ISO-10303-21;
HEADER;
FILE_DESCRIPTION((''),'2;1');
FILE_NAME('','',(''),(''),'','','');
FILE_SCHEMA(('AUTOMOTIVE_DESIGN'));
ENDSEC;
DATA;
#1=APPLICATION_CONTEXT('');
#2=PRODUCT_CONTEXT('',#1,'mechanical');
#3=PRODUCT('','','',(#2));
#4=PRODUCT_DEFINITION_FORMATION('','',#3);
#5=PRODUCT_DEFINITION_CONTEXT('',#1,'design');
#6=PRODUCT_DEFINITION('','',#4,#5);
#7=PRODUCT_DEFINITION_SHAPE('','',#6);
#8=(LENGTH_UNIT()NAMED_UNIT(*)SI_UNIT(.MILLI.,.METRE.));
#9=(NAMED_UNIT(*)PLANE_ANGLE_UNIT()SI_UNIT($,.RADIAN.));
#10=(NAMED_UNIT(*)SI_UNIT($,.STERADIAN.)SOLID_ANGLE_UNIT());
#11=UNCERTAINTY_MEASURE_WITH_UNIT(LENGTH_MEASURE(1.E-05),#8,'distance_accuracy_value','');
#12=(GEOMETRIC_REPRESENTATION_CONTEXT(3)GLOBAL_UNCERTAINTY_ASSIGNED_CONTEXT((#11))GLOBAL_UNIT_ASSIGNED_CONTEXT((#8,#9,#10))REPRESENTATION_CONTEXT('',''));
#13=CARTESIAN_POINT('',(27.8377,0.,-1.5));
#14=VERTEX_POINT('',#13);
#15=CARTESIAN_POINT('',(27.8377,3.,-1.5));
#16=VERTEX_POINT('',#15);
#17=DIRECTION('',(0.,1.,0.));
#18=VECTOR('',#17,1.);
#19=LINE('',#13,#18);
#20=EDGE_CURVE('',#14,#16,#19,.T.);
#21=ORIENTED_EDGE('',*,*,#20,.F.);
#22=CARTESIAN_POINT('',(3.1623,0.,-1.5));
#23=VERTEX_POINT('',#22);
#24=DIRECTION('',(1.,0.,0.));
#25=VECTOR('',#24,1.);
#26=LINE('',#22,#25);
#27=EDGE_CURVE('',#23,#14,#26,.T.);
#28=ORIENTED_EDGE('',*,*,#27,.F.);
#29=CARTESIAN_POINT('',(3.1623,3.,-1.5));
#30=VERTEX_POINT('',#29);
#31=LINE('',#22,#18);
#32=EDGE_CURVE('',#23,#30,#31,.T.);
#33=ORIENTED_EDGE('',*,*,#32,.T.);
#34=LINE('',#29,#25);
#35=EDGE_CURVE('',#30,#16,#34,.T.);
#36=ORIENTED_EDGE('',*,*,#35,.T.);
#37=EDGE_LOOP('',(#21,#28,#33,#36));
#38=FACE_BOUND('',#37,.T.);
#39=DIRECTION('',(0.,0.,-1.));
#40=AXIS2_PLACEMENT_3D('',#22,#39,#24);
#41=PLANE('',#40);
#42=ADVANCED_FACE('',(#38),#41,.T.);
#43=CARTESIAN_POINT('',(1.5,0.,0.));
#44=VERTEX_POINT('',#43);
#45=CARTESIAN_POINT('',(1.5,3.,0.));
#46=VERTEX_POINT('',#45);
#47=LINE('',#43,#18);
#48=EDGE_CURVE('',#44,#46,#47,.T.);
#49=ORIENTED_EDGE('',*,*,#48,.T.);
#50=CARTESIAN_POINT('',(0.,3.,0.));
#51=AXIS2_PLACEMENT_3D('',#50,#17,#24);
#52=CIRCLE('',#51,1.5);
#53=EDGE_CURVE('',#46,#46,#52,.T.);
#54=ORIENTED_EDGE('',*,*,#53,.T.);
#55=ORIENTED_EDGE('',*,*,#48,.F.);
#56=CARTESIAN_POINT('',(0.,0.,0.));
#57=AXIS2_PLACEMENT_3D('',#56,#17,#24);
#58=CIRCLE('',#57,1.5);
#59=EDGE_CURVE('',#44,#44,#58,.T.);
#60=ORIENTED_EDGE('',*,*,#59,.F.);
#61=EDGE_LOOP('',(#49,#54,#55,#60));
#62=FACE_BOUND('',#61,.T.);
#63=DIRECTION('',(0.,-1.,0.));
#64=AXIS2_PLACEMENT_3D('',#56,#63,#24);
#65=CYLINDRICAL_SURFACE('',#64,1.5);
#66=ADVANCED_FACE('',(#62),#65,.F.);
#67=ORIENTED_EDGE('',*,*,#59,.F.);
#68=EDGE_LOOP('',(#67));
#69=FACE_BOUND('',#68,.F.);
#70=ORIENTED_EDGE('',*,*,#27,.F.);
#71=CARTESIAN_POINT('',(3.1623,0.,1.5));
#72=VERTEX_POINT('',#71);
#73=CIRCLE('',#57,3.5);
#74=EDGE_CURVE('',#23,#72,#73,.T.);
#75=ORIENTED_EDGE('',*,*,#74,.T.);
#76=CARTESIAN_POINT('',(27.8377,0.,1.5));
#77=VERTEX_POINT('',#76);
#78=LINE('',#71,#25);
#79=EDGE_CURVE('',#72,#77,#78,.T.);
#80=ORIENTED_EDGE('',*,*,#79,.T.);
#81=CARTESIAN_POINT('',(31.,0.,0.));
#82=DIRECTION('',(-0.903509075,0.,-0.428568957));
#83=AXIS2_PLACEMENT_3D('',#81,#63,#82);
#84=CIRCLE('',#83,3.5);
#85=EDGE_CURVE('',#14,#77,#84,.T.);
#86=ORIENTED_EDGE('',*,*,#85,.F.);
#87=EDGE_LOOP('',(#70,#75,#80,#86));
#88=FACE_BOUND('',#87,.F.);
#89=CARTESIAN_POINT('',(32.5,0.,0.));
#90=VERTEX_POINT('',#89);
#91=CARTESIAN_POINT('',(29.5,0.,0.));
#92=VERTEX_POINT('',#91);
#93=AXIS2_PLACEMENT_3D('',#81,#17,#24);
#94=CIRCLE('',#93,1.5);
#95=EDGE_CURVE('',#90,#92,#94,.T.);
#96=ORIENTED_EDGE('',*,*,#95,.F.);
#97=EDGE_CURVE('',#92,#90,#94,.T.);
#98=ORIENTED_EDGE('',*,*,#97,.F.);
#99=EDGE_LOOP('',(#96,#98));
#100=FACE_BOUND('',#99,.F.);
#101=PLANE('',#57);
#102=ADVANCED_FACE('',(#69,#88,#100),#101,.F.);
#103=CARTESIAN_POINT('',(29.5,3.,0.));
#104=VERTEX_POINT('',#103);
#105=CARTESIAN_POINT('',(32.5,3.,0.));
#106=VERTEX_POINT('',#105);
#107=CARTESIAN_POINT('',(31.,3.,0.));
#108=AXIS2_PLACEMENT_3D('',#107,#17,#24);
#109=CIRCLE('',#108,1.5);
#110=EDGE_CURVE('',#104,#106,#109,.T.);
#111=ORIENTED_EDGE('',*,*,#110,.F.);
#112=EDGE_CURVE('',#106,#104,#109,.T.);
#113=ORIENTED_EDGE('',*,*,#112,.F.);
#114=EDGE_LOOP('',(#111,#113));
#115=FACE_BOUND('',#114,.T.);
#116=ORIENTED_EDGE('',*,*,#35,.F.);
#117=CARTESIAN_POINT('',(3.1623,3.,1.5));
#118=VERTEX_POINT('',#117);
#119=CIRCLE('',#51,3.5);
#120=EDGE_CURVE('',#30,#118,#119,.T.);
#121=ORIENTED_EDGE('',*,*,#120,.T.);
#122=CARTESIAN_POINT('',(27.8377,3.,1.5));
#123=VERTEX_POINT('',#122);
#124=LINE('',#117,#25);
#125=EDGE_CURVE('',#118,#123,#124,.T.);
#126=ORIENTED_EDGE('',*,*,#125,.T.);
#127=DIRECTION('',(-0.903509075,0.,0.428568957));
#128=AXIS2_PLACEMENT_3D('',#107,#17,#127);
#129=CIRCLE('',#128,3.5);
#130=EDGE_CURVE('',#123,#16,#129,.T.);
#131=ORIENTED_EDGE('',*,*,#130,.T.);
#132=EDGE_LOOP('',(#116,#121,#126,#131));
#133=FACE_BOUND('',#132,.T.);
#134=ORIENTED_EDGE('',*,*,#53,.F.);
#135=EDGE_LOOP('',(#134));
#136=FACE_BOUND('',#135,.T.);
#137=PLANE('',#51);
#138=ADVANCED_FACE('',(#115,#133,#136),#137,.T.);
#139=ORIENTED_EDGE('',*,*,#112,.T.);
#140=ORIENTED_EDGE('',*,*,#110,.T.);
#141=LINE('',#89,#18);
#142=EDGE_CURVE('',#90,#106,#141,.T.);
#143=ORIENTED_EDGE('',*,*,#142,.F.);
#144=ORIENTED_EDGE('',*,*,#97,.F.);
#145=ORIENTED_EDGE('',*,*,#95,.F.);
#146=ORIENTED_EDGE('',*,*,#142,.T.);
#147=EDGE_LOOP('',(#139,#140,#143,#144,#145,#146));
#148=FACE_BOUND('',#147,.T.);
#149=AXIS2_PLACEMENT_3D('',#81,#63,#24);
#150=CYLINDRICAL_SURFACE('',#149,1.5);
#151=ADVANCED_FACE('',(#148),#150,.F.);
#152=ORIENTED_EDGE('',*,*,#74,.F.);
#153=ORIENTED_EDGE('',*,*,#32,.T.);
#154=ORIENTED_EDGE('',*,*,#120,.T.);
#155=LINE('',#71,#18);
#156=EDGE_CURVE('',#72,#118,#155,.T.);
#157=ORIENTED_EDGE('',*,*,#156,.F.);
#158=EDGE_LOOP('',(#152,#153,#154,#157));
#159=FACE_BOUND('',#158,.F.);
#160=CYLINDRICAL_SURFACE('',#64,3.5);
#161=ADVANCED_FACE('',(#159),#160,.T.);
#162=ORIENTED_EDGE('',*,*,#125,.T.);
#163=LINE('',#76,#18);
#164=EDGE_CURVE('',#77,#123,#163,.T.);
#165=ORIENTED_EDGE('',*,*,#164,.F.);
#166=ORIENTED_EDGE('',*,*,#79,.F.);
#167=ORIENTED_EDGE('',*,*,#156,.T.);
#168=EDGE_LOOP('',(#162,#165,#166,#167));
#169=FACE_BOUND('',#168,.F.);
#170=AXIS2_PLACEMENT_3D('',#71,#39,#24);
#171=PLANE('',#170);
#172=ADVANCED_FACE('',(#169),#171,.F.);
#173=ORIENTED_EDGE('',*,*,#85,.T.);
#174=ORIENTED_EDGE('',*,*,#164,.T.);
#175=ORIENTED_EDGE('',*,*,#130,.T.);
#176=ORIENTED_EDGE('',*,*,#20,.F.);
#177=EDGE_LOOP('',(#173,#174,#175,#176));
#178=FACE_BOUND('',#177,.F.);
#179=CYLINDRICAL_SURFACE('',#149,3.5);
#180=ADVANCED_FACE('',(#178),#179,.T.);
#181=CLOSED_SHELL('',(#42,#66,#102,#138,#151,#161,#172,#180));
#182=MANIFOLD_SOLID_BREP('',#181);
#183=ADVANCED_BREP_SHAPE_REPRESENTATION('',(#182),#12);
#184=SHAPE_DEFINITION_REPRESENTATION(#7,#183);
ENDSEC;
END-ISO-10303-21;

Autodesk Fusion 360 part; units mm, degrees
sketch "Sketch1" plane through (0, 0, 0) normal (0, 1, 0) x (1, 0, 0)
  circle A0 centre (0, 0) radius 3.5
  circle A1 centre (0, 0) radius 1.5
  circle A2 centre (31, 0) radius 1.5
  circle A3 centre (31, 0) radius 3.5
  line L0 (0, 0) -> (31, 0)
  line L1 (3.1623, 1.5) -> (27.8377, 1.5)
  line L2 (3.1623, -1.5) -> (27.8377, -1.5)
  dimension "d1" = 3
  dimension "d2" = 7
  dimension "d3" = 3
  dimension "d4" = 7
  dimension "d5" = 31
  dimension "d6" = 1.5
  dimension "d7" = 1.5
extrude "Extrude1" add sketch "Sketch1" along normal blind 3
